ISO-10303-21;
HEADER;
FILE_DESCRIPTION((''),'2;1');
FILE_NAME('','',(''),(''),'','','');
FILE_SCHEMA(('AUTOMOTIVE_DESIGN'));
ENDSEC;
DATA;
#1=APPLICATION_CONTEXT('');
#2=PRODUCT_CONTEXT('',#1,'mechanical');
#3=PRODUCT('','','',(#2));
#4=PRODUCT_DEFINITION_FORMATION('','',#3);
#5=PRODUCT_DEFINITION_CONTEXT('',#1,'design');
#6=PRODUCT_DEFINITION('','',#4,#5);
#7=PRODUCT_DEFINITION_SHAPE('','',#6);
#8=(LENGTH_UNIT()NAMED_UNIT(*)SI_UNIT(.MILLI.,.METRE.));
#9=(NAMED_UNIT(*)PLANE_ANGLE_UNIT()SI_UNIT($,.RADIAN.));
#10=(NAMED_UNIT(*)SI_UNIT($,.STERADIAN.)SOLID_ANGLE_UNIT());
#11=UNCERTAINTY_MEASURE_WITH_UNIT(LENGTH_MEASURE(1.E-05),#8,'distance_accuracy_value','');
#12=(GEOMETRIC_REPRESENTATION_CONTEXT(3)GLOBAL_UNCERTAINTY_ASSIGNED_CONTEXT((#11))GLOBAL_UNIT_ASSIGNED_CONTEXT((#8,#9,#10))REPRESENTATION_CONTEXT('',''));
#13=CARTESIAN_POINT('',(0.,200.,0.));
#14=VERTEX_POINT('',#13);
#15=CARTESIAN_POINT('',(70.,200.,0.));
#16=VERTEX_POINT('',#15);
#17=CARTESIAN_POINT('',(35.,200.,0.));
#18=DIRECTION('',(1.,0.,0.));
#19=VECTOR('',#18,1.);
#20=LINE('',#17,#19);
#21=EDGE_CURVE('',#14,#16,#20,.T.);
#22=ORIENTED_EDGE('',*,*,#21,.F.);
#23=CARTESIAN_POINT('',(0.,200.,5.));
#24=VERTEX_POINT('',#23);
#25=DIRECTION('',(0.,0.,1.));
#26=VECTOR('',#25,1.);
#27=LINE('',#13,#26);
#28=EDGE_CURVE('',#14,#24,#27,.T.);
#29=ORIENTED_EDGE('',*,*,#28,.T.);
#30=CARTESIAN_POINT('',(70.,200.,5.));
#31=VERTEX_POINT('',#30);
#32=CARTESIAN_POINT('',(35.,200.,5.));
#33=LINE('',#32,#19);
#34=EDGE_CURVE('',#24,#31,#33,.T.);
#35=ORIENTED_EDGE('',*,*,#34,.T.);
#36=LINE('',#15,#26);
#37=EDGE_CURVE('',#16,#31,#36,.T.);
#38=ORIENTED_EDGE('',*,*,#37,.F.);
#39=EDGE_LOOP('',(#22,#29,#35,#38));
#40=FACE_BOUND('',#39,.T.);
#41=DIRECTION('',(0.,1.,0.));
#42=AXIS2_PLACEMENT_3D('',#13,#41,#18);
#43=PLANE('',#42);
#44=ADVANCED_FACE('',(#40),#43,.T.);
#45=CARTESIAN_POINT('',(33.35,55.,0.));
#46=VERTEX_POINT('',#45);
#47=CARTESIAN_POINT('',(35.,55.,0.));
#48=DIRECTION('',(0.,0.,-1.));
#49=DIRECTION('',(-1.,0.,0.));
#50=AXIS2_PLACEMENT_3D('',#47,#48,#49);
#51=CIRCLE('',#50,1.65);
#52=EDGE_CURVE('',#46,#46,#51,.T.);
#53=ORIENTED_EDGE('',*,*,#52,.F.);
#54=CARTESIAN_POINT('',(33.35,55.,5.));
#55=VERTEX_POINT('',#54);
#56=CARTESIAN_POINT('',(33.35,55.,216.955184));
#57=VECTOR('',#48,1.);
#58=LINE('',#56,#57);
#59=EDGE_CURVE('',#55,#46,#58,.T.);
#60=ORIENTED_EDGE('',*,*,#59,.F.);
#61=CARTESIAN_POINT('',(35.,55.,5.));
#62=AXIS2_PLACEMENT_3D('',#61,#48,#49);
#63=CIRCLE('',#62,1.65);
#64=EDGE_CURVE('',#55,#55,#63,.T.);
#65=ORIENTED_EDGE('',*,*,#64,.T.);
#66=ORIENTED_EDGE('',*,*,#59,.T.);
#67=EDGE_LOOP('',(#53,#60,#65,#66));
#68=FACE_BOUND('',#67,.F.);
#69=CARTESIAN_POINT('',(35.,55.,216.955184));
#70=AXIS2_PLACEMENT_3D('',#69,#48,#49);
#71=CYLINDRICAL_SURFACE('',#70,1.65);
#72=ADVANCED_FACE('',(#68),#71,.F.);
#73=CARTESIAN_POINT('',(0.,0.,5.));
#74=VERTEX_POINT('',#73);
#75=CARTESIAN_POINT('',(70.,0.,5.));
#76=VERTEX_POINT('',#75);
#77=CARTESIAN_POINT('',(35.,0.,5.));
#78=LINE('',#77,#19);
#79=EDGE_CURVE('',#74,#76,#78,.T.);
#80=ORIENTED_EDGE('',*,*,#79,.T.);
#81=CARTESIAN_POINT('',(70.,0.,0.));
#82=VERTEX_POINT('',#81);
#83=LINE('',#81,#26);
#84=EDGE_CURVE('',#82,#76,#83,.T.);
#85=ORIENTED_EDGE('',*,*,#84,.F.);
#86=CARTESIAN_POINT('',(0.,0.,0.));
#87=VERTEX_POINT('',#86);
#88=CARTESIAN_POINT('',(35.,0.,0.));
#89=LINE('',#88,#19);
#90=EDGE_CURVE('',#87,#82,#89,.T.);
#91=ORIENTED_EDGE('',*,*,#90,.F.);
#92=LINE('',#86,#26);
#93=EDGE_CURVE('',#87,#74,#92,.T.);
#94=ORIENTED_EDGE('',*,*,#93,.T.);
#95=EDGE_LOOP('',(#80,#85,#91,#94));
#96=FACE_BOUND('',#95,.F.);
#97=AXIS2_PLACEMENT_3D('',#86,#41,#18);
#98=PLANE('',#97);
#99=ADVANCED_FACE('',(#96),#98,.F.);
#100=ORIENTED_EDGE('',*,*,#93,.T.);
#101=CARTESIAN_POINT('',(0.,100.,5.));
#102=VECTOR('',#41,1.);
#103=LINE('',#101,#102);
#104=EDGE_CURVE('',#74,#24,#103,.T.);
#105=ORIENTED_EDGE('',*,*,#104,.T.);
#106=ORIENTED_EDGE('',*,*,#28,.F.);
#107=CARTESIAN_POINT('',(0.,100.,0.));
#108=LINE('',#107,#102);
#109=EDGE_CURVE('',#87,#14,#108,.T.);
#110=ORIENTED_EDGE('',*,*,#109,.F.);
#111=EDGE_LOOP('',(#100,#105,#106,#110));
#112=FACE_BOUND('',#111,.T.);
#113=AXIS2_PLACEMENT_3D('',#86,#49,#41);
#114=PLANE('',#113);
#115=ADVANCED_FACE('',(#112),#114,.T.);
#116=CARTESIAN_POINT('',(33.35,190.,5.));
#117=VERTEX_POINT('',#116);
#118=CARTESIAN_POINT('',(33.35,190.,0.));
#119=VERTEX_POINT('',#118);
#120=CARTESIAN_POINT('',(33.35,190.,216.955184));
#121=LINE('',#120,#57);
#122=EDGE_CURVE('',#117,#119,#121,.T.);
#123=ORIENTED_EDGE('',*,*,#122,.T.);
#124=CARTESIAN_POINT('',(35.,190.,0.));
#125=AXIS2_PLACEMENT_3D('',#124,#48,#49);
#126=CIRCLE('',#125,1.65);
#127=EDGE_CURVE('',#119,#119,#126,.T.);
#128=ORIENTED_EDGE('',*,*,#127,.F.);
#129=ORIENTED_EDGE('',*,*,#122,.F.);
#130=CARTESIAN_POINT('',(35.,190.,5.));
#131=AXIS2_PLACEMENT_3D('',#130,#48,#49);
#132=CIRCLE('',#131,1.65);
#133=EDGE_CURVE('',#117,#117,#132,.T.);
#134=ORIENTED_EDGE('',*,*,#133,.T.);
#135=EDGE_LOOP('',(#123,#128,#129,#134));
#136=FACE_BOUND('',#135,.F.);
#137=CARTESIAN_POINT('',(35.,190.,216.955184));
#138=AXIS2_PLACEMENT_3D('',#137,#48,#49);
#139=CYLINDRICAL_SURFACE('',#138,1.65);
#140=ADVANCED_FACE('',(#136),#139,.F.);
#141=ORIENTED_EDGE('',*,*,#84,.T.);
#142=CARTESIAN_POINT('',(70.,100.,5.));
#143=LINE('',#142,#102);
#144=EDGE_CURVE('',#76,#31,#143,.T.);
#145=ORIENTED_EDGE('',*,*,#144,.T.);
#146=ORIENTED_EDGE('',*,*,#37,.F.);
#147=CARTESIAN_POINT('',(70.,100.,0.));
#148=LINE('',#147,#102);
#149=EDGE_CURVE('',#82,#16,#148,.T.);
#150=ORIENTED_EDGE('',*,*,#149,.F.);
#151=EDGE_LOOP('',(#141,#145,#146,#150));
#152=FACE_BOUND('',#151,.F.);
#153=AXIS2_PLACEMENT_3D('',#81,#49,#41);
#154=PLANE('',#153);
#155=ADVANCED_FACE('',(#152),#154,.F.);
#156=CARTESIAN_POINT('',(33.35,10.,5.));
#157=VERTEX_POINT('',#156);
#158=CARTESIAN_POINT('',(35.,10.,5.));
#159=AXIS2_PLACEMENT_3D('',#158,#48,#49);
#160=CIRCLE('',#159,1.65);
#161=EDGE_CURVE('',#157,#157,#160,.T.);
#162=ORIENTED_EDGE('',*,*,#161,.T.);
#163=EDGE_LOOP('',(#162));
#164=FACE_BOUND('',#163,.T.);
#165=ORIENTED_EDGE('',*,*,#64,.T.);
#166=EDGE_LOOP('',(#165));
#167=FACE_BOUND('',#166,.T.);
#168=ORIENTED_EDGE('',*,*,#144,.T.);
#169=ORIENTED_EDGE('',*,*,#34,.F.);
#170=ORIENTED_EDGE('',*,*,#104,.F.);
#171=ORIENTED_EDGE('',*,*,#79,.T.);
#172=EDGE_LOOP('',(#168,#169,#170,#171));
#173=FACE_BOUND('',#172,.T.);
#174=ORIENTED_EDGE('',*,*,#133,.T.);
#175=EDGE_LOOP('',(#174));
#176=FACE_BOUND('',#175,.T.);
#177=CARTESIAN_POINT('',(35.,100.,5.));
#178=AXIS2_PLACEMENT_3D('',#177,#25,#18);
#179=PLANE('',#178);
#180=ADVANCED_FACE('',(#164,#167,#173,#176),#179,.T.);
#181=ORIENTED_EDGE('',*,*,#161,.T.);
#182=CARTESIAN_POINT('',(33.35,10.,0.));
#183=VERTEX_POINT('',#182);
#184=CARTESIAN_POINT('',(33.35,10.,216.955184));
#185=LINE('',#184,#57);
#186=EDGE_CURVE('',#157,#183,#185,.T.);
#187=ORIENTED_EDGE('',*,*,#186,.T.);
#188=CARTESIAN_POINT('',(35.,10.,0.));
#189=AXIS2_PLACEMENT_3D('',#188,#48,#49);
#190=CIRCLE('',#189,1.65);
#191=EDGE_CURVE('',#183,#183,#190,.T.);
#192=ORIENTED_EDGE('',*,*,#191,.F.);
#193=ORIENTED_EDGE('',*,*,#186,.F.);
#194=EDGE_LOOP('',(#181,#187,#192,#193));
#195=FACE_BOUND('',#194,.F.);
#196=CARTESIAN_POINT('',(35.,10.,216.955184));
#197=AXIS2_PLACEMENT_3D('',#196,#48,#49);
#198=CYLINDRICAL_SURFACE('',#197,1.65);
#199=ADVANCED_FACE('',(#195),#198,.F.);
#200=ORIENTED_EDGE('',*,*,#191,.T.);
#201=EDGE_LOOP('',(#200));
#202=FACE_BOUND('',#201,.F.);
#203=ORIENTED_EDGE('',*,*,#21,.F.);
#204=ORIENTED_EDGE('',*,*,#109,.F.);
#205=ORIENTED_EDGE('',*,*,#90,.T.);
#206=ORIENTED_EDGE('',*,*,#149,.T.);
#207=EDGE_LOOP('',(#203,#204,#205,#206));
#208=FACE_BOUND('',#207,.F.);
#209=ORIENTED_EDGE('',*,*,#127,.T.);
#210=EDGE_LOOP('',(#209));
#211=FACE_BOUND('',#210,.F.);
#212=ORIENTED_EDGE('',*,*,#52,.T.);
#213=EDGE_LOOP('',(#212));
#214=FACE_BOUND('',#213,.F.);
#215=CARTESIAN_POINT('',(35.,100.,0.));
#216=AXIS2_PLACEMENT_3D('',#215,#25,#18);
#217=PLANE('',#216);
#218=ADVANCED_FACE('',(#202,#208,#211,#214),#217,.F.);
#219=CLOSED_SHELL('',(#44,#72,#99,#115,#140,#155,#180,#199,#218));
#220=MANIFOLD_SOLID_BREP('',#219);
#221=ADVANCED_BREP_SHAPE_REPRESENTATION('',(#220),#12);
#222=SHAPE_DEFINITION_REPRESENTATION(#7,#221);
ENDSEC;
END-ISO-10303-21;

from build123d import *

# Parameters (mm, degrees)
F0_W     = 70
F0_H     = 200
F1_DEPTH = 5
F3_D     = 3.3


with BuildPart() as f1:
    # F0 (on Top) → F1 (new body)
    with BuildSketch(Plane.XY):
        with Locations((35, 100)):
            Rectangle(F0_W, F0_H)
    extrude(amount=F1_DEPTH)

    # F3 (through all)
    with Locations(Plane.XY.offset(5)):
        with Locations((35, 190), (35, 55), (35, 10)):
            Hole(F3_D / 2)


solid = f1.part
